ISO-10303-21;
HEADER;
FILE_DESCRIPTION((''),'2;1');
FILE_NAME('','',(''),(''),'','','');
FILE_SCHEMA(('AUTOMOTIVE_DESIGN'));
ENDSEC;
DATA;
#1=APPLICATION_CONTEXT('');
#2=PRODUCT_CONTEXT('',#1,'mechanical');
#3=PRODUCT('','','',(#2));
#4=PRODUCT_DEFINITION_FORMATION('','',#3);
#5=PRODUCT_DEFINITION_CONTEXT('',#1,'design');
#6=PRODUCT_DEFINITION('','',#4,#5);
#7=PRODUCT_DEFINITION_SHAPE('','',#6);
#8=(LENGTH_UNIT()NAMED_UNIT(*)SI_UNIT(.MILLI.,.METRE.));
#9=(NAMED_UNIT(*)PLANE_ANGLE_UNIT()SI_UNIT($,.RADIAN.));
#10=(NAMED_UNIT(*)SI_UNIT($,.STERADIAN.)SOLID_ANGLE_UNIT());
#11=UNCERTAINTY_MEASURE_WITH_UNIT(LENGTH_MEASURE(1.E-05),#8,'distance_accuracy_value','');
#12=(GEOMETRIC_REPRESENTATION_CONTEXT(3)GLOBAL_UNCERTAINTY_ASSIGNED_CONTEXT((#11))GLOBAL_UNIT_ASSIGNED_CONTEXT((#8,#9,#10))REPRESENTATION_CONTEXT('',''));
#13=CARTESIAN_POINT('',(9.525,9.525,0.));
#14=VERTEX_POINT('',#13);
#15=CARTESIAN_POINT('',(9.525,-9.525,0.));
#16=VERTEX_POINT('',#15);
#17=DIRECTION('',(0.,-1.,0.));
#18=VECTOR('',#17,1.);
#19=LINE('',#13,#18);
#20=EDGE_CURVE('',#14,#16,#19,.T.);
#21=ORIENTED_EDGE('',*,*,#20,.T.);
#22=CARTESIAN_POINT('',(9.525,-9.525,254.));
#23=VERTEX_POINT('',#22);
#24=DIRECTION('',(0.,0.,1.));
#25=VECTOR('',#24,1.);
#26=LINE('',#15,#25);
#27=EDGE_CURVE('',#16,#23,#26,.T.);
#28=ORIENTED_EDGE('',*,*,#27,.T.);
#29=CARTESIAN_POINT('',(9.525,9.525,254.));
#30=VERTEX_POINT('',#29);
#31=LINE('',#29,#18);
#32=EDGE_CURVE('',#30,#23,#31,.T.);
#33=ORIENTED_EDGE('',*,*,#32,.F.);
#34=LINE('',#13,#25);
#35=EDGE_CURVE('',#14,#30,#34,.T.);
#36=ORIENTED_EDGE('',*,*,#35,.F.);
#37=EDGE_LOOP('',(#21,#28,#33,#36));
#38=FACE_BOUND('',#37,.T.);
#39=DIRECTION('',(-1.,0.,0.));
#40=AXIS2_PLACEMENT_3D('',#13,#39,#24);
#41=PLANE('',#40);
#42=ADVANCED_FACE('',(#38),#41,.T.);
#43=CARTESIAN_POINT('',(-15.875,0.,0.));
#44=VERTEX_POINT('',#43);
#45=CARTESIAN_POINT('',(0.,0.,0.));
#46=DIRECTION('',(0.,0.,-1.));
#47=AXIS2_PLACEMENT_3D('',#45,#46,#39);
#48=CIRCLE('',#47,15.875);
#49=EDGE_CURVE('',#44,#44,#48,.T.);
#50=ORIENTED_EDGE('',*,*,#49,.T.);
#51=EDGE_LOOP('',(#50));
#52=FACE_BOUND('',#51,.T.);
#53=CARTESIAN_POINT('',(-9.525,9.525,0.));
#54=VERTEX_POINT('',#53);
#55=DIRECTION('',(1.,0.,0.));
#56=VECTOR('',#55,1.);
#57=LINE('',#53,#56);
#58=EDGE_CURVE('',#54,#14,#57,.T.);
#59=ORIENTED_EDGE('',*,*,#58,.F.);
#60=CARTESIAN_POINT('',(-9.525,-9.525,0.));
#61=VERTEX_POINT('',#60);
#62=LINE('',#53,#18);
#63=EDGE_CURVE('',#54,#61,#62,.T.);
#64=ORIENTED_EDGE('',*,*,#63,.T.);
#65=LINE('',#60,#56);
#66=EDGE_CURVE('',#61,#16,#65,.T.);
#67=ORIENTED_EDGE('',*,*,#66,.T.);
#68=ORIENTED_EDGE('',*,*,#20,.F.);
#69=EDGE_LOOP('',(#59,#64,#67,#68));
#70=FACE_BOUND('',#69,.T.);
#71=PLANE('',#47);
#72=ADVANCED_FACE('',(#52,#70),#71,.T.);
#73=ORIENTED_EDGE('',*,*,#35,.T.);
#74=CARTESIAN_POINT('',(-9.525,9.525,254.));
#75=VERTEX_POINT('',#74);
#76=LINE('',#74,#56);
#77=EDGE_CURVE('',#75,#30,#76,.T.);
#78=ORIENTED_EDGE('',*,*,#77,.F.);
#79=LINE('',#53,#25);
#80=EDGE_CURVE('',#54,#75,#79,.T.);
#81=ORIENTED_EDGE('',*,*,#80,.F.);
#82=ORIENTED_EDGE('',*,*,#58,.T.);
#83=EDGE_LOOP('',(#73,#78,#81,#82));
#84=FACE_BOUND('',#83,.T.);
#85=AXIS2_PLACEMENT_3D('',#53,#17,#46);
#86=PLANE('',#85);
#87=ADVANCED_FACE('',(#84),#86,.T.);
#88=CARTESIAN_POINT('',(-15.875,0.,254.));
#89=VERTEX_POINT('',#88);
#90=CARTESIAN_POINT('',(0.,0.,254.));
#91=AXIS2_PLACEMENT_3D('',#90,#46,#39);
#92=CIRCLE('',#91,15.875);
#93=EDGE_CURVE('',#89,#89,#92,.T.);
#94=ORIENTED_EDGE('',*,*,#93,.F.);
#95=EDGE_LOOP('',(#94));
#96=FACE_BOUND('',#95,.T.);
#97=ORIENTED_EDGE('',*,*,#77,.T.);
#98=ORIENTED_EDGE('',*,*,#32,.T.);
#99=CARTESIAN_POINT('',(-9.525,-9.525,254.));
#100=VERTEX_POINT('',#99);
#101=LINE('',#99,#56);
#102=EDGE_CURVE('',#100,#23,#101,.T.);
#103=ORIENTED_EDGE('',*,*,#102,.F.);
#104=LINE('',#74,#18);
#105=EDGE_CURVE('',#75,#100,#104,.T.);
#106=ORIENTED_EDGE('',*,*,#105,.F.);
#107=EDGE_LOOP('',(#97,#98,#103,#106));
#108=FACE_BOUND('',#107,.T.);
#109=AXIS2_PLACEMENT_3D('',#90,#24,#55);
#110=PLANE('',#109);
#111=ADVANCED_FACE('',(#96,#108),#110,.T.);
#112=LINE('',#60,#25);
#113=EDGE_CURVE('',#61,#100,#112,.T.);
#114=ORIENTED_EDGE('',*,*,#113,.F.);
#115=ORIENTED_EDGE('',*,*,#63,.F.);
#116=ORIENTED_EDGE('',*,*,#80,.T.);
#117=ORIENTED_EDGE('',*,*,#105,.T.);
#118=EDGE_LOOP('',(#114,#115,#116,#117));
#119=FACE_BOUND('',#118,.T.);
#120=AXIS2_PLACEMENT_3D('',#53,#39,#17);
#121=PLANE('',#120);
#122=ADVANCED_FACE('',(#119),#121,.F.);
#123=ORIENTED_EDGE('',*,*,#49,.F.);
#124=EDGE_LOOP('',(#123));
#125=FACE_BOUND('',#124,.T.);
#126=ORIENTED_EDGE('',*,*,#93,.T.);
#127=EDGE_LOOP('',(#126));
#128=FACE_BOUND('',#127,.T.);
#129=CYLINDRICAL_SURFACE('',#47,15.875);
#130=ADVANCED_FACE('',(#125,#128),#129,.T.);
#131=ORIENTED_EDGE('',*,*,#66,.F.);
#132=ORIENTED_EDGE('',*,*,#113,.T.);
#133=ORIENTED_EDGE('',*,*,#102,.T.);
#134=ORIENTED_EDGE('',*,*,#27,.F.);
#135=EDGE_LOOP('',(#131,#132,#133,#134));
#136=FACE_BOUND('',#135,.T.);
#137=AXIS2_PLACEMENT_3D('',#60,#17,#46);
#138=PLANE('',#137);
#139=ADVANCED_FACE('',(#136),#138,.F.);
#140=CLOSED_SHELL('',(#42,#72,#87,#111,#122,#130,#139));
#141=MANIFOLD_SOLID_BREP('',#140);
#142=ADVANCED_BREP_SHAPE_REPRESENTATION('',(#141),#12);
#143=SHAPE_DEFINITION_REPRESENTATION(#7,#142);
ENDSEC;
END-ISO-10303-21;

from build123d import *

# Parameters (mm, degrees)
SKETCH1_W          = 15.875
SKETCH1_H          = 254
SKETCH2_W          = 19.05
SKETCH2_H          = 19.05
CUT_EXTRUDE1_DEPTH = 255.990257167


with BuildPart() as part:
    # Sketch1 → Revolve1 (revolve)
    with BuildSketch(Plane(origin=(0, 0, 0), x_dir=(1, 0, 0), z_dir=(0, 1, 0))):
        with Locations((-7.9375, -127)):
            Rectangle(SKETCH1_W, SKETCH1_H)
    revolve(axis=Axis((0, 0, 0), (0, 0, 1)))

    # Sketch2 → Cut-Extrude1 (cut, through all)
    with BuildSketch(Plane.XY.offset(254)):
        Rectangle(SKETCH2_W, SKETCH2_H)
    extrude(amount=-CUT_EXTRUDE1_DEPTH, mode=Mode.SUBTRACT)


solid = part.part
